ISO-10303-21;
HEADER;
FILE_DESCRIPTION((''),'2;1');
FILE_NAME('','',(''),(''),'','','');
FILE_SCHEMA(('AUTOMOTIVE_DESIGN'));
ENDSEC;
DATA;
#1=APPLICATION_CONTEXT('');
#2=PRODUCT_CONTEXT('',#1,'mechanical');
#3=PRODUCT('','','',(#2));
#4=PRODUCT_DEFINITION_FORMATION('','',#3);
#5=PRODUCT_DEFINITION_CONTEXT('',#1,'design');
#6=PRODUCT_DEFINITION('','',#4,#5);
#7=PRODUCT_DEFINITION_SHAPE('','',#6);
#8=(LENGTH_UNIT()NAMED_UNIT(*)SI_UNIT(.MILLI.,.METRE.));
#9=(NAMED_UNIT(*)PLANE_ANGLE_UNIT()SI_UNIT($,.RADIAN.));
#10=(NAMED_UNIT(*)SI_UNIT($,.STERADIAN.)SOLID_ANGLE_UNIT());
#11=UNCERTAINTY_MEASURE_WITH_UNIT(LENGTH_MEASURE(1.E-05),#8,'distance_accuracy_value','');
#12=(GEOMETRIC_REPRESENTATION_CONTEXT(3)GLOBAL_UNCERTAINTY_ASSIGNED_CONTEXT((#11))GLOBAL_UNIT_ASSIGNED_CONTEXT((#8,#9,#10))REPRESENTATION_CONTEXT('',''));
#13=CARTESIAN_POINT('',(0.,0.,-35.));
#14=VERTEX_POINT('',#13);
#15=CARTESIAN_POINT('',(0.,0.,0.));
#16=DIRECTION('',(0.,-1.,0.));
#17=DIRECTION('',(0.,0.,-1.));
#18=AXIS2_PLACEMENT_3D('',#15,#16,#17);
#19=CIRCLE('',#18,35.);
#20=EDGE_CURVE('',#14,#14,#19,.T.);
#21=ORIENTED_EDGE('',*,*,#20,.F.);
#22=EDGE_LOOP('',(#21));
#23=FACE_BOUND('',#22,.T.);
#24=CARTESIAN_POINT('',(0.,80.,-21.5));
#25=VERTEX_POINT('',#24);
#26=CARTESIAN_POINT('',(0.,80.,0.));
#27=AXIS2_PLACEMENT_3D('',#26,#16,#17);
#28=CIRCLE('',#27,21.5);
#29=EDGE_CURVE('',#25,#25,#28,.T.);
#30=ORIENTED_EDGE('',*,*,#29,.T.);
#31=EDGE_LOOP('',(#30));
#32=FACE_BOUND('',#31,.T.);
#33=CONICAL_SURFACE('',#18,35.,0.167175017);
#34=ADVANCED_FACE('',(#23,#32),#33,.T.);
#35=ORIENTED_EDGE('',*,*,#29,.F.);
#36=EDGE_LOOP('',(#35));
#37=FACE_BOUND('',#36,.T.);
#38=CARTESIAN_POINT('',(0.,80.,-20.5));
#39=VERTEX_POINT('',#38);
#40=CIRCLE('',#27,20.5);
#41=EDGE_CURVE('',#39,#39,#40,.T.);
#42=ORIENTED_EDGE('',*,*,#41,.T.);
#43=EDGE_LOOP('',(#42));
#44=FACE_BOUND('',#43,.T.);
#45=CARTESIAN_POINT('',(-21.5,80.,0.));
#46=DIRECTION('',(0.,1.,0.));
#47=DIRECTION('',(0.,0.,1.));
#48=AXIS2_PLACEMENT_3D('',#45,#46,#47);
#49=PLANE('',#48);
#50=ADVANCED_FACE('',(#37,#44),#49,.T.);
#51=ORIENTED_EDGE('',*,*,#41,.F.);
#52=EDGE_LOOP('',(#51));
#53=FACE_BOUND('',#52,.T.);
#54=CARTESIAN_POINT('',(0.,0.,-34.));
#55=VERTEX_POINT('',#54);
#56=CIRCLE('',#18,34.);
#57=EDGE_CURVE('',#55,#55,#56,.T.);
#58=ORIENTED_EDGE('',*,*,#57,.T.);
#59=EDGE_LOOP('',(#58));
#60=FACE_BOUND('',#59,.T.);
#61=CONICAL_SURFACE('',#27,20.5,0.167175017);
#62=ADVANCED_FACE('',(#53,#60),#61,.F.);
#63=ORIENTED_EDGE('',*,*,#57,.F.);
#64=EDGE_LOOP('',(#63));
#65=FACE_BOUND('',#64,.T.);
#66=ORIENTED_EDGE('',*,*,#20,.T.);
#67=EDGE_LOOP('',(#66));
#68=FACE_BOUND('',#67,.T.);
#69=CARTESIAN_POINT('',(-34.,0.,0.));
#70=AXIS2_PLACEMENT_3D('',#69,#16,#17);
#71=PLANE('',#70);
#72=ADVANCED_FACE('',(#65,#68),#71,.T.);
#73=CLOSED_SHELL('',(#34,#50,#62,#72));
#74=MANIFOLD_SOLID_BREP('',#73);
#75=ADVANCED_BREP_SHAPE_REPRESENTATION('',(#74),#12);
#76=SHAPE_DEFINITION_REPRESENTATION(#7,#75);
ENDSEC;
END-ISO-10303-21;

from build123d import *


with BuildPart() as part:
    # Esboço1 → Revolução1 (revolve)
    with BuildSketch(Plane.XY, mode=Mode.PRIVATE) as revolu_o1_sk:
        Polygon((-35, 0), (-21.5, 80), (-20.5, 80), (-34, 0), align=None)
    revolve(revolu_o1_sk.sketch.rotate(Axis((0, 0, 0), (0, 1, 0)), 270), axis=Axis((0, 0, 0), (0, 1, 0)))


solid = part.part
